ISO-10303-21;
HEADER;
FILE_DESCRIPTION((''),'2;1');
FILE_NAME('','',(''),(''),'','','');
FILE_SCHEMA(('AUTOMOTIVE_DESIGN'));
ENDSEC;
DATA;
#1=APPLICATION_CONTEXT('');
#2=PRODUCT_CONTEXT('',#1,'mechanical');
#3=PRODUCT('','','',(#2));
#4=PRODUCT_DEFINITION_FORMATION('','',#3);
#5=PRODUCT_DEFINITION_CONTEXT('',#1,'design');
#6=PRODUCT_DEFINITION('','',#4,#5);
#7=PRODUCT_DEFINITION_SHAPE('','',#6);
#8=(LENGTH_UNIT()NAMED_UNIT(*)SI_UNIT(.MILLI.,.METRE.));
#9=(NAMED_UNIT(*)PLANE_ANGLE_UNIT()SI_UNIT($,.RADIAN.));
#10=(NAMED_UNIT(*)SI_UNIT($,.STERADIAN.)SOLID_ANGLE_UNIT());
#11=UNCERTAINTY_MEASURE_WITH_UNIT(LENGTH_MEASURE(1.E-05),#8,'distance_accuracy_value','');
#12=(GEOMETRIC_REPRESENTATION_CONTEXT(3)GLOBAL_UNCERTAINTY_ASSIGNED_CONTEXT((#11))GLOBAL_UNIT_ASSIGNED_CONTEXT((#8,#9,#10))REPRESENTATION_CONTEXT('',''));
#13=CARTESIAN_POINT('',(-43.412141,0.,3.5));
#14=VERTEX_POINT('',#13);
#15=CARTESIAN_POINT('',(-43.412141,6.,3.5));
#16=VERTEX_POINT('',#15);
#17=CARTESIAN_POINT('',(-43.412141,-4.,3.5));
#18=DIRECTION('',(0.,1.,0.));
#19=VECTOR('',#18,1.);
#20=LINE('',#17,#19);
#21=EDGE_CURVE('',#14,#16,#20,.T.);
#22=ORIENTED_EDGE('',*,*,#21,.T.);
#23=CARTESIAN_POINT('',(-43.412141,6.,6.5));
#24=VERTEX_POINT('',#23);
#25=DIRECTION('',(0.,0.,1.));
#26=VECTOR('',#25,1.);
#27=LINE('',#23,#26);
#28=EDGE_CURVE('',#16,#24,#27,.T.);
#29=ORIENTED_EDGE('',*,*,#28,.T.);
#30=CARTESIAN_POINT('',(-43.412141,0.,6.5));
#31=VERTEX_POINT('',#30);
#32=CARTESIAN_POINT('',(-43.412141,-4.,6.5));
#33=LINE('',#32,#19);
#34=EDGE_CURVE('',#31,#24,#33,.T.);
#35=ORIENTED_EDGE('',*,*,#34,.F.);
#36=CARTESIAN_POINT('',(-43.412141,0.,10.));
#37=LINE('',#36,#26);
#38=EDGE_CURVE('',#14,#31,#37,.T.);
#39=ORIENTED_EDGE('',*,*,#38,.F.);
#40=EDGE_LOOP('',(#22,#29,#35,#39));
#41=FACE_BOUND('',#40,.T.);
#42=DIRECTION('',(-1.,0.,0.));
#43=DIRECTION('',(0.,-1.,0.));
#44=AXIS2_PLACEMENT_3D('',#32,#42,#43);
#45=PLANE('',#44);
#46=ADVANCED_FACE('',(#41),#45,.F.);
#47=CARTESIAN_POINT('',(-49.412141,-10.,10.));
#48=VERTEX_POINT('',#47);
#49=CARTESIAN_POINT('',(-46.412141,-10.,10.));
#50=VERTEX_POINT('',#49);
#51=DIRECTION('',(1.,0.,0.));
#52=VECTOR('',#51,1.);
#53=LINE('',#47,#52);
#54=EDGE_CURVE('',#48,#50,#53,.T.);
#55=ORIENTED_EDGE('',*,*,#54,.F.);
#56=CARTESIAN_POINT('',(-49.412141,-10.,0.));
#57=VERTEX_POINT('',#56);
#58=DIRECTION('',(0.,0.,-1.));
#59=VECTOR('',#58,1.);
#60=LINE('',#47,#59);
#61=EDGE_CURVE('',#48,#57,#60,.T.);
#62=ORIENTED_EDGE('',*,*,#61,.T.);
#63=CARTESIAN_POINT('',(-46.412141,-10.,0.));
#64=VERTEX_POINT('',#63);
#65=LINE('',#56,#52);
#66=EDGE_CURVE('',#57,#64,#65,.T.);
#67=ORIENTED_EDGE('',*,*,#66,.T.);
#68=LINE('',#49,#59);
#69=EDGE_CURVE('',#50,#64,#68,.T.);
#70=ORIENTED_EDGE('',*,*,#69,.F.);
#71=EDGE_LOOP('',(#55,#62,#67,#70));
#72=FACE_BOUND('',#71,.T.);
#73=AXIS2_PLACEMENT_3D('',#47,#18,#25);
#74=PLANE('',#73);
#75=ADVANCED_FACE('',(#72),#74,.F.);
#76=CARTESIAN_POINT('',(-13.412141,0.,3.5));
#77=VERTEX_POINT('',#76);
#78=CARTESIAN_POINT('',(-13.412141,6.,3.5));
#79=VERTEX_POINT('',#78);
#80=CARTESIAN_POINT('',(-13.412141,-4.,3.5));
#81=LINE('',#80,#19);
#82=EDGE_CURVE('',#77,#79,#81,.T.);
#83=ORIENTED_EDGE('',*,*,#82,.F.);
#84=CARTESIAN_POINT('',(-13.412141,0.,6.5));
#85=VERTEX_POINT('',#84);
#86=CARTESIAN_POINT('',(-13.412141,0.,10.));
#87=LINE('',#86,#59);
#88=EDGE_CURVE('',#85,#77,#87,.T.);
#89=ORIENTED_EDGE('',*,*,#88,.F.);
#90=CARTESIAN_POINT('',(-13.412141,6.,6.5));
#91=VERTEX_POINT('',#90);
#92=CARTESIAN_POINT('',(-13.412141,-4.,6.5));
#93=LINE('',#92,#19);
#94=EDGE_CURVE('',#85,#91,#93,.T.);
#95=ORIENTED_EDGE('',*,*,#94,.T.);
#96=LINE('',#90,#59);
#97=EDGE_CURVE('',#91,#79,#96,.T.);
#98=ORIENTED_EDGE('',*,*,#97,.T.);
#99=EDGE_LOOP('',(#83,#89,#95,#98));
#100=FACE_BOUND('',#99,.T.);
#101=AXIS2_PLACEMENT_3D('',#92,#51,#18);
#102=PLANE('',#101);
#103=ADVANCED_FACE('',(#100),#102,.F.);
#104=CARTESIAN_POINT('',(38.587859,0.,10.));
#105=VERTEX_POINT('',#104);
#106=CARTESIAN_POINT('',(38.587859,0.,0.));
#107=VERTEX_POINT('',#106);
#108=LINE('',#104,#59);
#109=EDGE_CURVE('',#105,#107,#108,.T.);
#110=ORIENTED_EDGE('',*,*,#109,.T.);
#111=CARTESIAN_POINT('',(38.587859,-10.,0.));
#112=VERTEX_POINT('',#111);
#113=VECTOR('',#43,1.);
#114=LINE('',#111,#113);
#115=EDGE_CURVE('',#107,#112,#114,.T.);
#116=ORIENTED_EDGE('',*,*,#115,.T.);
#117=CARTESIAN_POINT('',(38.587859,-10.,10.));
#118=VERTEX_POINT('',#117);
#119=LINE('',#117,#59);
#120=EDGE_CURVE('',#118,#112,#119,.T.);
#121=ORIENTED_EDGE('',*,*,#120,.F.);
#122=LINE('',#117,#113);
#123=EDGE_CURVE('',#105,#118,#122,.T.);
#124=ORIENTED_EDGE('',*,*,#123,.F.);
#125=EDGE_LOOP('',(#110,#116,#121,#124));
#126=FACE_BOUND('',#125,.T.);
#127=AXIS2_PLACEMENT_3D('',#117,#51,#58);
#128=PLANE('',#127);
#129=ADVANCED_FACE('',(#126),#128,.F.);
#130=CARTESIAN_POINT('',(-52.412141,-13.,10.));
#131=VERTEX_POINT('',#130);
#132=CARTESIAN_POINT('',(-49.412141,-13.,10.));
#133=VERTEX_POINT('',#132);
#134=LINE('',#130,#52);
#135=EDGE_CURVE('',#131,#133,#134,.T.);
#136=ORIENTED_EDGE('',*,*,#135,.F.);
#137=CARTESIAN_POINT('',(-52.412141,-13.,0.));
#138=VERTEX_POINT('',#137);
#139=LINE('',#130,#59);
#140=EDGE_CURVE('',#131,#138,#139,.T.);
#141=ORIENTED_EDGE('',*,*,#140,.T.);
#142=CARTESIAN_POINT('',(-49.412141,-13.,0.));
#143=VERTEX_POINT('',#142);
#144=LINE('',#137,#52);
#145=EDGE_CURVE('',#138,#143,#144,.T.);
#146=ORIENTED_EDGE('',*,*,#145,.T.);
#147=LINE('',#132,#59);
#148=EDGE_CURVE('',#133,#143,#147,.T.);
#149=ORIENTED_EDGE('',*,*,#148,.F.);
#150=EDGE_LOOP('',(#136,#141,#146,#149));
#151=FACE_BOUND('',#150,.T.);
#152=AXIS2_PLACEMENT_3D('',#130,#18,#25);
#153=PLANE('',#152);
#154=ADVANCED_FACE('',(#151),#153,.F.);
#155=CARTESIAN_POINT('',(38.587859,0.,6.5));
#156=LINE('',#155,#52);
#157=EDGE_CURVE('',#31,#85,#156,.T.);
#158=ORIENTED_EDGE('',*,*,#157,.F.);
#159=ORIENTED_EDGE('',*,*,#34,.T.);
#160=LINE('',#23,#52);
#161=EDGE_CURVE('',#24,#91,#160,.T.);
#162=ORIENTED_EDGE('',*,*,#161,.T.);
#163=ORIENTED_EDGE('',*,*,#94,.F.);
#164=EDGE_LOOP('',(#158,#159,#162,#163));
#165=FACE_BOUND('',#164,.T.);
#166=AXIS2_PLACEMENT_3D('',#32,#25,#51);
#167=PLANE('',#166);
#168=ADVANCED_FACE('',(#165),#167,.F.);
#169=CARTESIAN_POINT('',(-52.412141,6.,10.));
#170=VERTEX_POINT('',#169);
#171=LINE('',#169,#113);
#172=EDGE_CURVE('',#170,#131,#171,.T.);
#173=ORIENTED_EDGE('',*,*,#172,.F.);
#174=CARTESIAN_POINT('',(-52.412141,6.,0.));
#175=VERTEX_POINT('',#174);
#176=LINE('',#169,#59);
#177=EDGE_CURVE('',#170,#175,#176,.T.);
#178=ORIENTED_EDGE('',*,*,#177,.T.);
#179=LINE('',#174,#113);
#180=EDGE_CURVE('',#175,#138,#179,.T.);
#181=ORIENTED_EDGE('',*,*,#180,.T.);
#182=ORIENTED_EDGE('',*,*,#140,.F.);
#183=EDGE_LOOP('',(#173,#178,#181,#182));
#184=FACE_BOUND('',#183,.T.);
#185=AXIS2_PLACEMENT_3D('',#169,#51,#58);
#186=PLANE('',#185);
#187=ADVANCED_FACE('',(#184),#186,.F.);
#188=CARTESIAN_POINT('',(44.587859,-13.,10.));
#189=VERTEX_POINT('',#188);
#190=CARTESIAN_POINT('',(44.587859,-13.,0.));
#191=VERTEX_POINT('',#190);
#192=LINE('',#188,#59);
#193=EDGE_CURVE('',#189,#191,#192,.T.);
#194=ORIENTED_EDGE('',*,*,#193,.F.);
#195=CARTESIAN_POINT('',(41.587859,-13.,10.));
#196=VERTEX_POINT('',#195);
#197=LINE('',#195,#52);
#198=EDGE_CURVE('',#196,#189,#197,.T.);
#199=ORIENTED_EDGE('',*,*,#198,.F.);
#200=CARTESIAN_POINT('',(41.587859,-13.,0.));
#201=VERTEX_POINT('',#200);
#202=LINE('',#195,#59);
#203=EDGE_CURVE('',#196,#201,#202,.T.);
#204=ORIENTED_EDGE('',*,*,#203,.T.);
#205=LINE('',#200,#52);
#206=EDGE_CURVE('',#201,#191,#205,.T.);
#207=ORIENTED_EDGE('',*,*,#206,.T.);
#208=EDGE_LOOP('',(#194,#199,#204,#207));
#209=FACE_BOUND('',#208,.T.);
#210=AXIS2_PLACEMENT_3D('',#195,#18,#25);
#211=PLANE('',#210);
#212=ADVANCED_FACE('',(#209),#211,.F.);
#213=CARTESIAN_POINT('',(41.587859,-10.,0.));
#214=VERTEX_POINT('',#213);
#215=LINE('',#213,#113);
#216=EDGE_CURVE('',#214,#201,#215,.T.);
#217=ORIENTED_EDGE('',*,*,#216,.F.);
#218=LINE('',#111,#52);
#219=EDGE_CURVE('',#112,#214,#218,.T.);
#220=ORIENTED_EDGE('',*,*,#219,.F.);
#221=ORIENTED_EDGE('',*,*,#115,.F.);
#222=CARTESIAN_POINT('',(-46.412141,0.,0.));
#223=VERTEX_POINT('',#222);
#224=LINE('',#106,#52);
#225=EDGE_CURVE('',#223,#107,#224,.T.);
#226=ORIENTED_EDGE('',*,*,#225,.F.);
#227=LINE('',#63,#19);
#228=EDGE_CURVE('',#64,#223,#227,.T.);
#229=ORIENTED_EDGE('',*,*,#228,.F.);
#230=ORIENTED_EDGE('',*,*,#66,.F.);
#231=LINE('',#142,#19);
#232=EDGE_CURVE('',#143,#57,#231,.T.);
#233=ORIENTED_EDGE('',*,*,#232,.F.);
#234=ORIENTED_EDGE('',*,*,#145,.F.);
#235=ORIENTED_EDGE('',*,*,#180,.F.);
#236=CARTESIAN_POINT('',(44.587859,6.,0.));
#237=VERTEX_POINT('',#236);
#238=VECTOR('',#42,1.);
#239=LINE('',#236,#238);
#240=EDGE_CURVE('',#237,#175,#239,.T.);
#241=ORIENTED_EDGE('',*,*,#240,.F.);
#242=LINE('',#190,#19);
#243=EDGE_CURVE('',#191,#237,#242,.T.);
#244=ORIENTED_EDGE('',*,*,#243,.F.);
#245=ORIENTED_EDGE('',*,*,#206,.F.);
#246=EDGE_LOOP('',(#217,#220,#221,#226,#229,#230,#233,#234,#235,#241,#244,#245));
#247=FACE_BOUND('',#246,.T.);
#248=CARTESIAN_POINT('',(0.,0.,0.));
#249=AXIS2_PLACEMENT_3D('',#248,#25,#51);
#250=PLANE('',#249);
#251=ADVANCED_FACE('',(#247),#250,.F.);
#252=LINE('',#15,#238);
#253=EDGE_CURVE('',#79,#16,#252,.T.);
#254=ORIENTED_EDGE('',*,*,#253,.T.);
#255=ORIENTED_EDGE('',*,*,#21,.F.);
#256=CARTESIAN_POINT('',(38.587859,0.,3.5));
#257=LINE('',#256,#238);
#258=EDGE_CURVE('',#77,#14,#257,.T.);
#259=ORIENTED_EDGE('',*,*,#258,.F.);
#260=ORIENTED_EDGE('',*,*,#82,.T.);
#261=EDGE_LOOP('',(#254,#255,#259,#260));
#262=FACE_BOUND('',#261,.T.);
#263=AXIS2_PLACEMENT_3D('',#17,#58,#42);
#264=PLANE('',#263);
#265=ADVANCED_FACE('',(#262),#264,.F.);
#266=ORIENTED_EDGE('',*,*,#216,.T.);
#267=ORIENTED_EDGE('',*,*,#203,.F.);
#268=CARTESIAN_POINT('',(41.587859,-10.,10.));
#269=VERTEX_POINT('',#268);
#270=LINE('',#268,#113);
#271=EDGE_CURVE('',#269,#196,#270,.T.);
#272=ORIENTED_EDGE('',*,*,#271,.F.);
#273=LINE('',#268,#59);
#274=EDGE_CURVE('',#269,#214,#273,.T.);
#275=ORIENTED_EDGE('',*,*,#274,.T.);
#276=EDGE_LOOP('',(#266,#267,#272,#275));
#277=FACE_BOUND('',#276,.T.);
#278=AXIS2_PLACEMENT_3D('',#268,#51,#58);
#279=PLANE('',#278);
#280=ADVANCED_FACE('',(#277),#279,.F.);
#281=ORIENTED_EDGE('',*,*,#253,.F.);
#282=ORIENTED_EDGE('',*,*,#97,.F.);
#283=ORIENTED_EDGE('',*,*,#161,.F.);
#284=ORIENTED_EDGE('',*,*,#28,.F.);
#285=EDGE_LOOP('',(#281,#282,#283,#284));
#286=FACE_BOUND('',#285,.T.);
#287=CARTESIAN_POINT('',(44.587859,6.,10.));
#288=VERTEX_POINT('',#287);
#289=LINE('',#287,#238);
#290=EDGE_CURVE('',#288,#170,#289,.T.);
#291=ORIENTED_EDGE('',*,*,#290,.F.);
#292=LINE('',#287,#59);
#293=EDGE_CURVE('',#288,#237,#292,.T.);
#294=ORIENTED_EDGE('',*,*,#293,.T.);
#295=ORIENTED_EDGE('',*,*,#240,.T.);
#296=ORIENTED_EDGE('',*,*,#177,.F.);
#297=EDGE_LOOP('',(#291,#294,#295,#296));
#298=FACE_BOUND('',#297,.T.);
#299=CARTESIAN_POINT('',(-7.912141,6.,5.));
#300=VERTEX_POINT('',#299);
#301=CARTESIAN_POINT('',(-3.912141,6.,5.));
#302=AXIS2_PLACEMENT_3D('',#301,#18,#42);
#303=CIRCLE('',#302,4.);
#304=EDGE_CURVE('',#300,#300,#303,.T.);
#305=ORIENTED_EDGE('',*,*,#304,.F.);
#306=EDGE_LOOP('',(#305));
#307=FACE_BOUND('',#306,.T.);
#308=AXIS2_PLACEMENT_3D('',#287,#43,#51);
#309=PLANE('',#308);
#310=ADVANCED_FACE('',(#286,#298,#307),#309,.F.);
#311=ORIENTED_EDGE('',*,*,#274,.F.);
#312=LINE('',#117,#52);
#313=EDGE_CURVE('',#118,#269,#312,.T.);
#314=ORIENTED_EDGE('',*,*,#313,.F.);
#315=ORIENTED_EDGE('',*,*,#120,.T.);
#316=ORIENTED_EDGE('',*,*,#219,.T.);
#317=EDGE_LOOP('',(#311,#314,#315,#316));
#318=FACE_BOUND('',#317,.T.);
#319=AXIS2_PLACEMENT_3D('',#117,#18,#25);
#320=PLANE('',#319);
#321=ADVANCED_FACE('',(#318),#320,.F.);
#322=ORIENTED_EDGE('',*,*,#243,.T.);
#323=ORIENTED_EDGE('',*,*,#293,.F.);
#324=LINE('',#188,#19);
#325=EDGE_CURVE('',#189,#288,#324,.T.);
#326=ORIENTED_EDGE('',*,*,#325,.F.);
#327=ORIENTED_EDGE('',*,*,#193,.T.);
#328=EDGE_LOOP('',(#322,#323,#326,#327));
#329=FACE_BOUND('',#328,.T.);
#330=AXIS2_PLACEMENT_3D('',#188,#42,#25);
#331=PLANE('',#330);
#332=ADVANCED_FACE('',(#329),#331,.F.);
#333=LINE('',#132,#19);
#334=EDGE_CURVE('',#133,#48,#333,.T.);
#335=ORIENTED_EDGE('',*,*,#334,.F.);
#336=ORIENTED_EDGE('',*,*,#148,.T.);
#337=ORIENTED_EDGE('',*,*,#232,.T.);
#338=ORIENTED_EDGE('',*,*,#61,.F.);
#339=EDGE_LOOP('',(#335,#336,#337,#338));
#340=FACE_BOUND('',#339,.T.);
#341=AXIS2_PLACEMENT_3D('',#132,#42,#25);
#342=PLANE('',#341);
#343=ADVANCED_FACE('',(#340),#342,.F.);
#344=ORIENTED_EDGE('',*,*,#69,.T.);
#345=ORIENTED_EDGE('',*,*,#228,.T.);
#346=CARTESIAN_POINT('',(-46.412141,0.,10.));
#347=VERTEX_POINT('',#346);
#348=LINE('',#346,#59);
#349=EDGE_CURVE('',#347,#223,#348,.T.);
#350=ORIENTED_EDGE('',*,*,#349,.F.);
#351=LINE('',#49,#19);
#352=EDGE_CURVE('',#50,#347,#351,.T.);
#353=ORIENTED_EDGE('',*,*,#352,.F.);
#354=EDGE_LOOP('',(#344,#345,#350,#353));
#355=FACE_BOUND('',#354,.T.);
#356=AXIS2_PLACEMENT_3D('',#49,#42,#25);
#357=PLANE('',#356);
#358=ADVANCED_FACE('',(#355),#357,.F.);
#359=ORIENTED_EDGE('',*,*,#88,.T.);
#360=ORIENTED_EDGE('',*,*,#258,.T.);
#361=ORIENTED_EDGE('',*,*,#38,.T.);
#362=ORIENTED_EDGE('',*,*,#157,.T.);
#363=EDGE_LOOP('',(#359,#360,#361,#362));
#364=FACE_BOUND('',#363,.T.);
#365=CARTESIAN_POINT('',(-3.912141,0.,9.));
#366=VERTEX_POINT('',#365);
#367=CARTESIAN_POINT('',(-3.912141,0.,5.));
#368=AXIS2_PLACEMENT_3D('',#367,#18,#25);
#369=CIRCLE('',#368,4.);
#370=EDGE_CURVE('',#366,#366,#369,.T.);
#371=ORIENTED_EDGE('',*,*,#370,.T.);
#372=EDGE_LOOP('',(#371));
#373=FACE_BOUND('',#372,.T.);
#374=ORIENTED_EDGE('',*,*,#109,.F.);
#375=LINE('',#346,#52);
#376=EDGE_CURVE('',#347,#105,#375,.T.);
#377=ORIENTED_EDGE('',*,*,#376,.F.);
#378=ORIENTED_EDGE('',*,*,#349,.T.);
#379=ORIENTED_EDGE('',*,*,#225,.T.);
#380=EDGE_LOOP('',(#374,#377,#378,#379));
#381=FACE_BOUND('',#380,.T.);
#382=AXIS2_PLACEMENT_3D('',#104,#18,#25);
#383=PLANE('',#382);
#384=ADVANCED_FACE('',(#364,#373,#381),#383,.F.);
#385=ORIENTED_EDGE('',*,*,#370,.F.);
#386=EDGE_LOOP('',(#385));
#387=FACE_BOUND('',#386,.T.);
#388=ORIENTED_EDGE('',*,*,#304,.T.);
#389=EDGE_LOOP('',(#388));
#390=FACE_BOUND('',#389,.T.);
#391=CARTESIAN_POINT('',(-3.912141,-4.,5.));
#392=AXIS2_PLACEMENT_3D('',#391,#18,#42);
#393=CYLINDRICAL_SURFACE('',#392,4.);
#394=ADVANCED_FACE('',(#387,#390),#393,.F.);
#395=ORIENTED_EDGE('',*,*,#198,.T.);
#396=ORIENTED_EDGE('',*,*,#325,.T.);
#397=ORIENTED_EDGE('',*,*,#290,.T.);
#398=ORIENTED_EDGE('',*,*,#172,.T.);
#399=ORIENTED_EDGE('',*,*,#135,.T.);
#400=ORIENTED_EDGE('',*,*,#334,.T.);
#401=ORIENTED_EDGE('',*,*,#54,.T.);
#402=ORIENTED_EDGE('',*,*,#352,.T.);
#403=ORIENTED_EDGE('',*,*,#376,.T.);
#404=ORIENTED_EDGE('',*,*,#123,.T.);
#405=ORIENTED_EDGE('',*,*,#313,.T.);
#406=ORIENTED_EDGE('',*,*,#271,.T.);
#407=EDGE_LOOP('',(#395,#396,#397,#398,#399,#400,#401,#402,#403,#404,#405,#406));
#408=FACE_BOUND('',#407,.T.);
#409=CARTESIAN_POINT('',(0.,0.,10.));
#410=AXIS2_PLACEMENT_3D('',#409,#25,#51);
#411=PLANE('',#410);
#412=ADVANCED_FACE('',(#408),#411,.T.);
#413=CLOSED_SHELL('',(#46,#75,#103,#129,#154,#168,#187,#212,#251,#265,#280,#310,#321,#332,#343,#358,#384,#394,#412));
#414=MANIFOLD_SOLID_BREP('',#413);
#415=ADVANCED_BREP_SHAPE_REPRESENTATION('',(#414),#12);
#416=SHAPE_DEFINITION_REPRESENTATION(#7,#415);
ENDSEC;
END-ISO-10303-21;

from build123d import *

# Parameters (mm, degrees)
SALIENTE_EXTRUIR1_DEPTH = 10
CROQUIS4_R              = 4
CROQUIS4_W              = 30
CROQUIS4_H              = 3
CORTAR_EXTRUIR1_DEPTH   = 10


with BuildPart() as part:
    # Croquis2 → Saliente-Extruir1 (new body)
    with BuildSketch(Plane.XY):
        Polygon((-43.412140575, 0), (35.587859425, 0), (38.587859425, 0), (38.587859425, -10), (41.587859425, -10), (41.587859425, -13), (44.587859425, -13), (44.587859425, 6), (-52.412140575, 6), (-52.412140575, -13), (-49.412140575, -13), (-49.412140575, -10), (-46.412140575, -10), (-46.412140575, 0), align=None)
    extrude(amount=SALIENTE_EXTRUIR1_DEPTH)

    # Croquis4 → Cortar-Extruir1 (cut)
    with BuildSketch(Plane(origin=(0, 6, 0), x_dir=(1, 0, 0), z_dir=(0, 1, 0))):
        with Locations((-3.912140575, -5)):
            Circle(CROQUIS4_R)
        with Locations((-28.412140575, -5)):
            Rectangle(CROQUIS4_W, CROQUIS4_H)
    extrude(amount=-CORTAR_EXTRUIR1_DEPTH, mode=Mode.SUBTRACT)


solid = part.part
